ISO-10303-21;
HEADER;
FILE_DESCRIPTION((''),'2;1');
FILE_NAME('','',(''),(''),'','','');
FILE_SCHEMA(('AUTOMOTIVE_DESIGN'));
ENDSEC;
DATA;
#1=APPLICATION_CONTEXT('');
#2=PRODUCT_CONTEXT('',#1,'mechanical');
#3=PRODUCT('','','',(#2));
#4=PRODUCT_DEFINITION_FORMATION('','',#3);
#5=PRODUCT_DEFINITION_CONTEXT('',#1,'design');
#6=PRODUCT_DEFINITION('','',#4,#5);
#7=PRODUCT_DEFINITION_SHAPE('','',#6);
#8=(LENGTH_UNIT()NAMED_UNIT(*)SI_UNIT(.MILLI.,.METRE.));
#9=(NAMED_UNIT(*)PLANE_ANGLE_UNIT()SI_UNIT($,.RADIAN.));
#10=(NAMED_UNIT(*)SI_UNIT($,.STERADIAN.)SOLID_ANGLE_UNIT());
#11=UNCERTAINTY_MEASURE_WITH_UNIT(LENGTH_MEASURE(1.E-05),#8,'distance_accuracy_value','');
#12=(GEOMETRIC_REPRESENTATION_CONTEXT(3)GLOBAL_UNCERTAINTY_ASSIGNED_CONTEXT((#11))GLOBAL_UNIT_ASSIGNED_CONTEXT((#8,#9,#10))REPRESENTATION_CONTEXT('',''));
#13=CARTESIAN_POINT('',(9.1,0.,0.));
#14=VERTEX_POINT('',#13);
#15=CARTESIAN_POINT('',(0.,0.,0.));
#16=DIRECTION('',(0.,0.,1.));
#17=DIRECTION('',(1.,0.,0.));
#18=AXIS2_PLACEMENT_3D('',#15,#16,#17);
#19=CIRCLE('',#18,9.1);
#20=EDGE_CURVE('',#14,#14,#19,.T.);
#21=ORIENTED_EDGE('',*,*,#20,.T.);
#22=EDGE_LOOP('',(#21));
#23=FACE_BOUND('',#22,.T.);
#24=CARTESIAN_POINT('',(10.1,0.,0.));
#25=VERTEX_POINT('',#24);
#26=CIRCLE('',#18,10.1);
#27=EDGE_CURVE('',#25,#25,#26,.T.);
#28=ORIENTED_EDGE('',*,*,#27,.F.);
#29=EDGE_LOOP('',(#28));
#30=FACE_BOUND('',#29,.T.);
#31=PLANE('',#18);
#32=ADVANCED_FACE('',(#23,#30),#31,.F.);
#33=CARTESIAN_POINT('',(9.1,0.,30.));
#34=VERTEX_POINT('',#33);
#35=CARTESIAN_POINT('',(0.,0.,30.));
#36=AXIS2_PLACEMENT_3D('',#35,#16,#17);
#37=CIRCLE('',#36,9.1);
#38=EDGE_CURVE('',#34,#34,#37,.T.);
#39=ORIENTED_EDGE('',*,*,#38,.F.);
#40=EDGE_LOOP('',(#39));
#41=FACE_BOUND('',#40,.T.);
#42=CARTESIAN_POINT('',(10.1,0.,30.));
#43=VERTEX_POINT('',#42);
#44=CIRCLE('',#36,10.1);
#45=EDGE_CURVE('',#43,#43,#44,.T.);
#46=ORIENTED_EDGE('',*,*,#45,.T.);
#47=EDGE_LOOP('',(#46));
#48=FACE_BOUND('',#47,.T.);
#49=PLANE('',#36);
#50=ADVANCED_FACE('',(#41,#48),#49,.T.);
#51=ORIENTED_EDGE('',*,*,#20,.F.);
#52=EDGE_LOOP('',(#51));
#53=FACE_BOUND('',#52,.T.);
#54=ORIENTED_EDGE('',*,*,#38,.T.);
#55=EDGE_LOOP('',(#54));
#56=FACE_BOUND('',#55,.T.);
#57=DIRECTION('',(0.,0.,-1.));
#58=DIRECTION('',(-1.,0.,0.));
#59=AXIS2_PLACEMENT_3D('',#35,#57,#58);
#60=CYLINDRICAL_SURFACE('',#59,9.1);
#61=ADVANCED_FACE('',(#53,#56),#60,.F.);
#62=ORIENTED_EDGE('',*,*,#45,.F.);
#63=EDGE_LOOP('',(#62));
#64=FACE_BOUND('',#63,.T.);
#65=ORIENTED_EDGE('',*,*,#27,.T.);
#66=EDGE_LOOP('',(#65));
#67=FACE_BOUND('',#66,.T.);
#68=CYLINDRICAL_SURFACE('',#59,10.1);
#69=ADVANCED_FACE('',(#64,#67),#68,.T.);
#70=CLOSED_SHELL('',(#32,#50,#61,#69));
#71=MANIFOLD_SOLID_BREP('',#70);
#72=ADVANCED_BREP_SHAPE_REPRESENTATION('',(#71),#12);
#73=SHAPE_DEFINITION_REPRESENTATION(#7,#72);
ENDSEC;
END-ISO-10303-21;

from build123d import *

# Parameters (mm, degrees)
SKETCH_1_R      = 10.1
SKETCH_1_R_2    = 9.1
EXTRUDE_1_DEPTH = 30


with BuildPart() as part:
    # Эскиз1 → Бобышка-Вытянуть1 (new body)
    with BuildSketch(Plane.XY):
        Circle(SKETCH_1_R)
        Circle(SKETCH_1_R_2, mode=Mode.SUBTRACT)
    extrude(amount=EXTRUDE_1_DEPTH)


solid = part.part
